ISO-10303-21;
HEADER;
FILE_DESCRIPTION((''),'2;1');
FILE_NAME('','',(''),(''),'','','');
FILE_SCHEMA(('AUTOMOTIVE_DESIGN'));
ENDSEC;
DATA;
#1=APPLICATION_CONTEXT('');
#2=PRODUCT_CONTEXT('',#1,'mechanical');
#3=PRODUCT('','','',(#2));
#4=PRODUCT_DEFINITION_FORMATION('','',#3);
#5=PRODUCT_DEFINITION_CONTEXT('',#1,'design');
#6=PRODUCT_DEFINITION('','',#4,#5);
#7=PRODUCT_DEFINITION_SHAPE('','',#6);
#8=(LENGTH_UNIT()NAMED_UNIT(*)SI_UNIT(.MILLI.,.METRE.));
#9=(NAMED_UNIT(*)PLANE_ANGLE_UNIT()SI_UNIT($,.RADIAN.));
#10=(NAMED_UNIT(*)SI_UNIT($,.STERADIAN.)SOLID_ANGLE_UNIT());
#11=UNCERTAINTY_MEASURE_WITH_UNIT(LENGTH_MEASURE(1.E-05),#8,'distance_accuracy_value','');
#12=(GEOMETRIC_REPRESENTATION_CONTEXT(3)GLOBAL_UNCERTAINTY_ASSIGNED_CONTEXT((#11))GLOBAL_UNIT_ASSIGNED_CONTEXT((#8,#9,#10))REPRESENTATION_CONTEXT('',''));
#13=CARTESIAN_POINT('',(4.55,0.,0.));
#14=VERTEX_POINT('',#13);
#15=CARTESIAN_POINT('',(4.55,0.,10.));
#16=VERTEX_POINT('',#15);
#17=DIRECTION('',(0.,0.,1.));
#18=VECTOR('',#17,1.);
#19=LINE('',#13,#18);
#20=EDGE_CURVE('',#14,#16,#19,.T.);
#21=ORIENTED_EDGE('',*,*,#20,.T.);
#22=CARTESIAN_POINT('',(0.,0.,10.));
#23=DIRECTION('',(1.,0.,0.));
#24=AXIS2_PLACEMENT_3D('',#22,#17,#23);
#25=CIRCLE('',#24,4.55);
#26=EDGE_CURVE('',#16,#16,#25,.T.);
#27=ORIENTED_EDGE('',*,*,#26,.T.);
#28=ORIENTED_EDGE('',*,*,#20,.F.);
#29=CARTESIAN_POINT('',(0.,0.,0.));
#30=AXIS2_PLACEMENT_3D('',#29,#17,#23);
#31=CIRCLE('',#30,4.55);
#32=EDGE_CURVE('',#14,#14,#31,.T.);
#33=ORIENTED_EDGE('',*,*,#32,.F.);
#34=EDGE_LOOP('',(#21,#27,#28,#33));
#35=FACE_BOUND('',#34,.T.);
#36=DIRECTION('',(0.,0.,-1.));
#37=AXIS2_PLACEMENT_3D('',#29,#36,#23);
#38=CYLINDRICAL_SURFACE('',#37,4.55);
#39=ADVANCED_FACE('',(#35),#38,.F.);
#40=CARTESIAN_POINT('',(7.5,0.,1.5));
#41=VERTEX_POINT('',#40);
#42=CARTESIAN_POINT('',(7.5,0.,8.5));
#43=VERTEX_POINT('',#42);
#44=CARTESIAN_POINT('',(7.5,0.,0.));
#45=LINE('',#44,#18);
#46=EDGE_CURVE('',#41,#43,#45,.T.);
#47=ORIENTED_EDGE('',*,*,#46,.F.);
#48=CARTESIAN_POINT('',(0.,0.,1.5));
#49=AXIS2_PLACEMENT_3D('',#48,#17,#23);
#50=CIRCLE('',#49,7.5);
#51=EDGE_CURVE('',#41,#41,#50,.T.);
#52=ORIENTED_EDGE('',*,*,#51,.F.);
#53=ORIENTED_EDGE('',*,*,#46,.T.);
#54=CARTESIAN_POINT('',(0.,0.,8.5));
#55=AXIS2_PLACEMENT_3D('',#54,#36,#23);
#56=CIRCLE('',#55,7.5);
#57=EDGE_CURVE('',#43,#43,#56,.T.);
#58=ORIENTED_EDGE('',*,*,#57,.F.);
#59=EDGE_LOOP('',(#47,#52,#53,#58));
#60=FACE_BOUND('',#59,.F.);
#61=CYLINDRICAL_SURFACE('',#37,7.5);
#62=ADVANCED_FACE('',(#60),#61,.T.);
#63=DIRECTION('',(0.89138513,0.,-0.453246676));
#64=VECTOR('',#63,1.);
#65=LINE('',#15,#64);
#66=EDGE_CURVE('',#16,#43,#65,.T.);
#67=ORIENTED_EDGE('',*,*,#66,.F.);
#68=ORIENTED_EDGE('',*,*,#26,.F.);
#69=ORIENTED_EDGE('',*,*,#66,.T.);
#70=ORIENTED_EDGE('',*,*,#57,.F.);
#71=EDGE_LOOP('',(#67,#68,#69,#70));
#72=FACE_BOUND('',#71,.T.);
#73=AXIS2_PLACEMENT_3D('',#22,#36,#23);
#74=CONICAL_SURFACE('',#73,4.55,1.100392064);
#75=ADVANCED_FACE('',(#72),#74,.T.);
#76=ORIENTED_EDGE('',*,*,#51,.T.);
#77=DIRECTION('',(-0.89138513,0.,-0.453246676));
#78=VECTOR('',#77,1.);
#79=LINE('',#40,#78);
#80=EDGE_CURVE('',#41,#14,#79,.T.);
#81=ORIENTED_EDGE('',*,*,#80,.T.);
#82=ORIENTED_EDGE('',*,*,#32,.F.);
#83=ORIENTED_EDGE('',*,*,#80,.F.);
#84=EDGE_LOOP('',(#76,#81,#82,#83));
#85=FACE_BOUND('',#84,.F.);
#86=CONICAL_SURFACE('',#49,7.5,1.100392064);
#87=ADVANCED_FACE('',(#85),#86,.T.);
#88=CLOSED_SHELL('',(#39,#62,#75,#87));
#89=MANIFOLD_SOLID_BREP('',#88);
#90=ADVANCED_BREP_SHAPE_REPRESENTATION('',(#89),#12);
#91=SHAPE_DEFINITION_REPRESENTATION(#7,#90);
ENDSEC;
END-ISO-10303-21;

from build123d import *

# Parameters (mm, degrees)
F0_R     = 7.5
F0_R_2   = 4.55
F1_DEPTH = 10


with BuildPart() as f1:
    # F0 (on Top) → F1 (new body)
    with BuildSketch(Plane.XY):
        Circle(F0_R)
        Circle(F0_R_2, mode=Mode.SUBTRACT)
    extrude(amount=F1_DEPTH)

    # F2 (on Front) → F4 (revolve, cut)
    with BuildSketch(Plane.XZ):
        Polygon((7.5, 1.5), (4.55, 0), (7.5, 0), align=None)
    revolve(axis=Axis((0, 0, 29.497309), (0, 0, 1)), mode=Mode.SUBTRACT)

    # F5 (on Front) → F6 (revolve, cut)
    with BuildSketch(Plane.XZ):
        Polygon((7.5, 10), (4.55, 10), (7.5, 8.5), align=None)
    revolve(axis=Axis((0, 0, 0), (0, 0, -1)), mode=Mode.SUBTRACT)


solid = f1.part
